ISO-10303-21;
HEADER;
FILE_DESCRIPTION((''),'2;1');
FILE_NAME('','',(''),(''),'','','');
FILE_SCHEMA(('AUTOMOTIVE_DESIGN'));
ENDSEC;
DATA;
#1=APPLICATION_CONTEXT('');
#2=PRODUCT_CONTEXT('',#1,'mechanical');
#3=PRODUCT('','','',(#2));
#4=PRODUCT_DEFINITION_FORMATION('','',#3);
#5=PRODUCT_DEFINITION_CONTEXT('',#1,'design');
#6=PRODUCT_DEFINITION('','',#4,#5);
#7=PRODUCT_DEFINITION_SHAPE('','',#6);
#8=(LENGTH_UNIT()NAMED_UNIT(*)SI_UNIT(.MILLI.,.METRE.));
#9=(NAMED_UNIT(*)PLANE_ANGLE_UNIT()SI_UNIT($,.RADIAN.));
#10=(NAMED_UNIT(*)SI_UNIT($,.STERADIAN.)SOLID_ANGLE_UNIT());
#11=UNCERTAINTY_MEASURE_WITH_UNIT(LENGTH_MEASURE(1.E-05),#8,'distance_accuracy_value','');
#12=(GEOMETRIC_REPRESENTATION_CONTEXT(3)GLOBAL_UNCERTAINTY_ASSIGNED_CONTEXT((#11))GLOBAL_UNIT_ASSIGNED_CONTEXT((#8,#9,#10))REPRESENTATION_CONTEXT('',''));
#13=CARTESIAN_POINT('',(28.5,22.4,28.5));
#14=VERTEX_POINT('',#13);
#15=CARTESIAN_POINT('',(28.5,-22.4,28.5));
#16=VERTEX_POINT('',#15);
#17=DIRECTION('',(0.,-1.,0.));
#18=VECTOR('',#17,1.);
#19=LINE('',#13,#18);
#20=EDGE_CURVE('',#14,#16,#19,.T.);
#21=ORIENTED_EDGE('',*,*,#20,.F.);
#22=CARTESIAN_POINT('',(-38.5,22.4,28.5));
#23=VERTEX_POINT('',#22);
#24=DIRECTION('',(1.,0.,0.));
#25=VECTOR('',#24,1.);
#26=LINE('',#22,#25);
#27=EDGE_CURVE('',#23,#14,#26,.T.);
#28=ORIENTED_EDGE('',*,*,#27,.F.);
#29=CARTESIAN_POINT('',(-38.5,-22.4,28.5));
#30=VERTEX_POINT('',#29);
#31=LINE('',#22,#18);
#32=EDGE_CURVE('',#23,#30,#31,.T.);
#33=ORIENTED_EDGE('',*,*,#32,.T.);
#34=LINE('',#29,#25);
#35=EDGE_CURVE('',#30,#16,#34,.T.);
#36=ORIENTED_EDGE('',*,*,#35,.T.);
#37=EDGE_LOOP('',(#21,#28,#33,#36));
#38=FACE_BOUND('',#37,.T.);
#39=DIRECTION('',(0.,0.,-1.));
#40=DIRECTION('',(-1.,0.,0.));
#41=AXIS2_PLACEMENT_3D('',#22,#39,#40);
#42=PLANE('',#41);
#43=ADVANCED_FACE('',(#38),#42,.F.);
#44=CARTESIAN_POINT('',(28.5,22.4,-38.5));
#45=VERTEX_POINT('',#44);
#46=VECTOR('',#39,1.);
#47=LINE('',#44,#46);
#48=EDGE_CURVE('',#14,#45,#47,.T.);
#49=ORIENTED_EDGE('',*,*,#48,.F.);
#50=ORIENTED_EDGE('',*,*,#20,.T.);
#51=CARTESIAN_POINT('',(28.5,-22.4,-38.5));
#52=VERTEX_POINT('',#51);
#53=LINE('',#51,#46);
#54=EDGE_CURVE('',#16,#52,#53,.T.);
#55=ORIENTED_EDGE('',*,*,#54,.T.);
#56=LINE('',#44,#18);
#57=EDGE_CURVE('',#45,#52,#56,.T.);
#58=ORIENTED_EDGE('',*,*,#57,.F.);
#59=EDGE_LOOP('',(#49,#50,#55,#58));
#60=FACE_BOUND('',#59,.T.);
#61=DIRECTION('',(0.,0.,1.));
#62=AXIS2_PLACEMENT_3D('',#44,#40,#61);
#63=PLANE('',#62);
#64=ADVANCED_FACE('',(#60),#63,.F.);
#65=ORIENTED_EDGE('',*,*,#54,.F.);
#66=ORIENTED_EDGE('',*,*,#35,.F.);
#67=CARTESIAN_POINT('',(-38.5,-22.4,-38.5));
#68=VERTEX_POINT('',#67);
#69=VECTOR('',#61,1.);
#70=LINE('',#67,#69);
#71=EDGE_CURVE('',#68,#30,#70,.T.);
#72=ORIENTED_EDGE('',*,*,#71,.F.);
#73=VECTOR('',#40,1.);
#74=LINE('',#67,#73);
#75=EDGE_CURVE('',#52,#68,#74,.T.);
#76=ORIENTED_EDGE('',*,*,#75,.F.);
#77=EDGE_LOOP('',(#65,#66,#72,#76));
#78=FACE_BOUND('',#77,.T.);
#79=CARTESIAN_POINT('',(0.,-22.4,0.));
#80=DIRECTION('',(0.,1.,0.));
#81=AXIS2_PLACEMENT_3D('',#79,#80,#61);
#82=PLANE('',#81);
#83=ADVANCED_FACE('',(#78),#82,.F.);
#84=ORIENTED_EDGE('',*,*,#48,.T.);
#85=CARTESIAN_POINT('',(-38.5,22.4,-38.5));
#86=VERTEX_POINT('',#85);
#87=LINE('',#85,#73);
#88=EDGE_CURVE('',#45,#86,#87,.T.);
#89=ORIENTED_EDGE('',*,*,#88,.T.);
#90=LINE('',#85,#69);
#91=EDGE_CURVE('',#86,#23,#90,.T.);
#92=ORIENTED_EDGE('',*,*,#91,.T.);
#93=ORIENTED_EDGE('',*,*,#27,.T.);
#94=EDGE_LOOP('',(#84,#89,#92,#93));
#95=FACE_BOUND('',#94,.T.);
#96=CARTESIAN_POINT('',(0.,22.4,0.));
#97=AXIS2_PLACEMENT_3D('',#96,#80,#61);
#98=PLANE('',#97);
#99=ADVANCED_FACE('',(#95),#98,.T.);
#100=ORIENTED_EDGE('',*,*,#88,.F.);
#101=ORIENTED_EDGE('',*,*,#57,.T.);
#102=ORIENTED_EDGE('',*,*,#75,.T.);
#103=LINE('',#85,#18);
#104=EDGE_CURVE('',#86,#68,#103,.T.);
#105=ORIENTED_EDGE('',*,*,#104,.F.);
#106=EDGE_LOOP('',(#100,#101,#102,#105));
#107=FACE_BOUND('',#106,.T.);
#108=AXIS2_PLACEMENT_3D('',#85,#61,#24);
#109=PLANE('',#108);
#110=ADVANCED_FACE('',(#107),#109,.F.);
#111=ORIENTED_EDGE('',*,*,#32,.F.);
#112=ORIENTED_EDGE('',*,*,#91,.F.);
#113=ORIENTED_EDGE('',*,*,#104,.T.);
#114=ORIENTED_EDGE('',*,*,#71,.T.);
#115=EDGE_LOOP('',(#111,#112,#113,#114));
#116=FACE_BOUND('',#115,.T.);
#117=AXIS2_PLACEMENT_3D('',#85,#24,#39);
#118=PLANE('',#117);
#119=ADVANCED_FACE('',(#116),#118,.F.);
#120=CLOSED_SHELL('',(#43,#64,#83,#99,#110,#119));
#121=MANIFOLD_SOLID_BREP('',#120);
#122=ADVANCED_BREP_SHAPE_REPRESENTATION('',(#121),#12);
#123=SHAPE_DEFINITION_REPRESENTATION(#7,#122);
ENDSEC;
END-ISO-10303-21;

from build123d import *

# Parameters (mm, degrees)
SKETCH1_W           = 67
SKETCH1_H           = 67
BOSS_EXTRUDE1_DEPTH = 22.4


with BuildPart() as part:
    # Sketch1 → Boss-Extrude1 (new body, symmetric)
    with BuildSketch(Plane(origin=(0, 0, 0), x_dir=(1, 0, 0), z_dir=(0, 1, 0))):
        with Locations((-5, 5)):
            Rectangle(SKETCH1_W, SKETCH1_H)
    extrude(amount=BOSS_EXTRUDE1_DEPTH, both=True)


solid = part.part
